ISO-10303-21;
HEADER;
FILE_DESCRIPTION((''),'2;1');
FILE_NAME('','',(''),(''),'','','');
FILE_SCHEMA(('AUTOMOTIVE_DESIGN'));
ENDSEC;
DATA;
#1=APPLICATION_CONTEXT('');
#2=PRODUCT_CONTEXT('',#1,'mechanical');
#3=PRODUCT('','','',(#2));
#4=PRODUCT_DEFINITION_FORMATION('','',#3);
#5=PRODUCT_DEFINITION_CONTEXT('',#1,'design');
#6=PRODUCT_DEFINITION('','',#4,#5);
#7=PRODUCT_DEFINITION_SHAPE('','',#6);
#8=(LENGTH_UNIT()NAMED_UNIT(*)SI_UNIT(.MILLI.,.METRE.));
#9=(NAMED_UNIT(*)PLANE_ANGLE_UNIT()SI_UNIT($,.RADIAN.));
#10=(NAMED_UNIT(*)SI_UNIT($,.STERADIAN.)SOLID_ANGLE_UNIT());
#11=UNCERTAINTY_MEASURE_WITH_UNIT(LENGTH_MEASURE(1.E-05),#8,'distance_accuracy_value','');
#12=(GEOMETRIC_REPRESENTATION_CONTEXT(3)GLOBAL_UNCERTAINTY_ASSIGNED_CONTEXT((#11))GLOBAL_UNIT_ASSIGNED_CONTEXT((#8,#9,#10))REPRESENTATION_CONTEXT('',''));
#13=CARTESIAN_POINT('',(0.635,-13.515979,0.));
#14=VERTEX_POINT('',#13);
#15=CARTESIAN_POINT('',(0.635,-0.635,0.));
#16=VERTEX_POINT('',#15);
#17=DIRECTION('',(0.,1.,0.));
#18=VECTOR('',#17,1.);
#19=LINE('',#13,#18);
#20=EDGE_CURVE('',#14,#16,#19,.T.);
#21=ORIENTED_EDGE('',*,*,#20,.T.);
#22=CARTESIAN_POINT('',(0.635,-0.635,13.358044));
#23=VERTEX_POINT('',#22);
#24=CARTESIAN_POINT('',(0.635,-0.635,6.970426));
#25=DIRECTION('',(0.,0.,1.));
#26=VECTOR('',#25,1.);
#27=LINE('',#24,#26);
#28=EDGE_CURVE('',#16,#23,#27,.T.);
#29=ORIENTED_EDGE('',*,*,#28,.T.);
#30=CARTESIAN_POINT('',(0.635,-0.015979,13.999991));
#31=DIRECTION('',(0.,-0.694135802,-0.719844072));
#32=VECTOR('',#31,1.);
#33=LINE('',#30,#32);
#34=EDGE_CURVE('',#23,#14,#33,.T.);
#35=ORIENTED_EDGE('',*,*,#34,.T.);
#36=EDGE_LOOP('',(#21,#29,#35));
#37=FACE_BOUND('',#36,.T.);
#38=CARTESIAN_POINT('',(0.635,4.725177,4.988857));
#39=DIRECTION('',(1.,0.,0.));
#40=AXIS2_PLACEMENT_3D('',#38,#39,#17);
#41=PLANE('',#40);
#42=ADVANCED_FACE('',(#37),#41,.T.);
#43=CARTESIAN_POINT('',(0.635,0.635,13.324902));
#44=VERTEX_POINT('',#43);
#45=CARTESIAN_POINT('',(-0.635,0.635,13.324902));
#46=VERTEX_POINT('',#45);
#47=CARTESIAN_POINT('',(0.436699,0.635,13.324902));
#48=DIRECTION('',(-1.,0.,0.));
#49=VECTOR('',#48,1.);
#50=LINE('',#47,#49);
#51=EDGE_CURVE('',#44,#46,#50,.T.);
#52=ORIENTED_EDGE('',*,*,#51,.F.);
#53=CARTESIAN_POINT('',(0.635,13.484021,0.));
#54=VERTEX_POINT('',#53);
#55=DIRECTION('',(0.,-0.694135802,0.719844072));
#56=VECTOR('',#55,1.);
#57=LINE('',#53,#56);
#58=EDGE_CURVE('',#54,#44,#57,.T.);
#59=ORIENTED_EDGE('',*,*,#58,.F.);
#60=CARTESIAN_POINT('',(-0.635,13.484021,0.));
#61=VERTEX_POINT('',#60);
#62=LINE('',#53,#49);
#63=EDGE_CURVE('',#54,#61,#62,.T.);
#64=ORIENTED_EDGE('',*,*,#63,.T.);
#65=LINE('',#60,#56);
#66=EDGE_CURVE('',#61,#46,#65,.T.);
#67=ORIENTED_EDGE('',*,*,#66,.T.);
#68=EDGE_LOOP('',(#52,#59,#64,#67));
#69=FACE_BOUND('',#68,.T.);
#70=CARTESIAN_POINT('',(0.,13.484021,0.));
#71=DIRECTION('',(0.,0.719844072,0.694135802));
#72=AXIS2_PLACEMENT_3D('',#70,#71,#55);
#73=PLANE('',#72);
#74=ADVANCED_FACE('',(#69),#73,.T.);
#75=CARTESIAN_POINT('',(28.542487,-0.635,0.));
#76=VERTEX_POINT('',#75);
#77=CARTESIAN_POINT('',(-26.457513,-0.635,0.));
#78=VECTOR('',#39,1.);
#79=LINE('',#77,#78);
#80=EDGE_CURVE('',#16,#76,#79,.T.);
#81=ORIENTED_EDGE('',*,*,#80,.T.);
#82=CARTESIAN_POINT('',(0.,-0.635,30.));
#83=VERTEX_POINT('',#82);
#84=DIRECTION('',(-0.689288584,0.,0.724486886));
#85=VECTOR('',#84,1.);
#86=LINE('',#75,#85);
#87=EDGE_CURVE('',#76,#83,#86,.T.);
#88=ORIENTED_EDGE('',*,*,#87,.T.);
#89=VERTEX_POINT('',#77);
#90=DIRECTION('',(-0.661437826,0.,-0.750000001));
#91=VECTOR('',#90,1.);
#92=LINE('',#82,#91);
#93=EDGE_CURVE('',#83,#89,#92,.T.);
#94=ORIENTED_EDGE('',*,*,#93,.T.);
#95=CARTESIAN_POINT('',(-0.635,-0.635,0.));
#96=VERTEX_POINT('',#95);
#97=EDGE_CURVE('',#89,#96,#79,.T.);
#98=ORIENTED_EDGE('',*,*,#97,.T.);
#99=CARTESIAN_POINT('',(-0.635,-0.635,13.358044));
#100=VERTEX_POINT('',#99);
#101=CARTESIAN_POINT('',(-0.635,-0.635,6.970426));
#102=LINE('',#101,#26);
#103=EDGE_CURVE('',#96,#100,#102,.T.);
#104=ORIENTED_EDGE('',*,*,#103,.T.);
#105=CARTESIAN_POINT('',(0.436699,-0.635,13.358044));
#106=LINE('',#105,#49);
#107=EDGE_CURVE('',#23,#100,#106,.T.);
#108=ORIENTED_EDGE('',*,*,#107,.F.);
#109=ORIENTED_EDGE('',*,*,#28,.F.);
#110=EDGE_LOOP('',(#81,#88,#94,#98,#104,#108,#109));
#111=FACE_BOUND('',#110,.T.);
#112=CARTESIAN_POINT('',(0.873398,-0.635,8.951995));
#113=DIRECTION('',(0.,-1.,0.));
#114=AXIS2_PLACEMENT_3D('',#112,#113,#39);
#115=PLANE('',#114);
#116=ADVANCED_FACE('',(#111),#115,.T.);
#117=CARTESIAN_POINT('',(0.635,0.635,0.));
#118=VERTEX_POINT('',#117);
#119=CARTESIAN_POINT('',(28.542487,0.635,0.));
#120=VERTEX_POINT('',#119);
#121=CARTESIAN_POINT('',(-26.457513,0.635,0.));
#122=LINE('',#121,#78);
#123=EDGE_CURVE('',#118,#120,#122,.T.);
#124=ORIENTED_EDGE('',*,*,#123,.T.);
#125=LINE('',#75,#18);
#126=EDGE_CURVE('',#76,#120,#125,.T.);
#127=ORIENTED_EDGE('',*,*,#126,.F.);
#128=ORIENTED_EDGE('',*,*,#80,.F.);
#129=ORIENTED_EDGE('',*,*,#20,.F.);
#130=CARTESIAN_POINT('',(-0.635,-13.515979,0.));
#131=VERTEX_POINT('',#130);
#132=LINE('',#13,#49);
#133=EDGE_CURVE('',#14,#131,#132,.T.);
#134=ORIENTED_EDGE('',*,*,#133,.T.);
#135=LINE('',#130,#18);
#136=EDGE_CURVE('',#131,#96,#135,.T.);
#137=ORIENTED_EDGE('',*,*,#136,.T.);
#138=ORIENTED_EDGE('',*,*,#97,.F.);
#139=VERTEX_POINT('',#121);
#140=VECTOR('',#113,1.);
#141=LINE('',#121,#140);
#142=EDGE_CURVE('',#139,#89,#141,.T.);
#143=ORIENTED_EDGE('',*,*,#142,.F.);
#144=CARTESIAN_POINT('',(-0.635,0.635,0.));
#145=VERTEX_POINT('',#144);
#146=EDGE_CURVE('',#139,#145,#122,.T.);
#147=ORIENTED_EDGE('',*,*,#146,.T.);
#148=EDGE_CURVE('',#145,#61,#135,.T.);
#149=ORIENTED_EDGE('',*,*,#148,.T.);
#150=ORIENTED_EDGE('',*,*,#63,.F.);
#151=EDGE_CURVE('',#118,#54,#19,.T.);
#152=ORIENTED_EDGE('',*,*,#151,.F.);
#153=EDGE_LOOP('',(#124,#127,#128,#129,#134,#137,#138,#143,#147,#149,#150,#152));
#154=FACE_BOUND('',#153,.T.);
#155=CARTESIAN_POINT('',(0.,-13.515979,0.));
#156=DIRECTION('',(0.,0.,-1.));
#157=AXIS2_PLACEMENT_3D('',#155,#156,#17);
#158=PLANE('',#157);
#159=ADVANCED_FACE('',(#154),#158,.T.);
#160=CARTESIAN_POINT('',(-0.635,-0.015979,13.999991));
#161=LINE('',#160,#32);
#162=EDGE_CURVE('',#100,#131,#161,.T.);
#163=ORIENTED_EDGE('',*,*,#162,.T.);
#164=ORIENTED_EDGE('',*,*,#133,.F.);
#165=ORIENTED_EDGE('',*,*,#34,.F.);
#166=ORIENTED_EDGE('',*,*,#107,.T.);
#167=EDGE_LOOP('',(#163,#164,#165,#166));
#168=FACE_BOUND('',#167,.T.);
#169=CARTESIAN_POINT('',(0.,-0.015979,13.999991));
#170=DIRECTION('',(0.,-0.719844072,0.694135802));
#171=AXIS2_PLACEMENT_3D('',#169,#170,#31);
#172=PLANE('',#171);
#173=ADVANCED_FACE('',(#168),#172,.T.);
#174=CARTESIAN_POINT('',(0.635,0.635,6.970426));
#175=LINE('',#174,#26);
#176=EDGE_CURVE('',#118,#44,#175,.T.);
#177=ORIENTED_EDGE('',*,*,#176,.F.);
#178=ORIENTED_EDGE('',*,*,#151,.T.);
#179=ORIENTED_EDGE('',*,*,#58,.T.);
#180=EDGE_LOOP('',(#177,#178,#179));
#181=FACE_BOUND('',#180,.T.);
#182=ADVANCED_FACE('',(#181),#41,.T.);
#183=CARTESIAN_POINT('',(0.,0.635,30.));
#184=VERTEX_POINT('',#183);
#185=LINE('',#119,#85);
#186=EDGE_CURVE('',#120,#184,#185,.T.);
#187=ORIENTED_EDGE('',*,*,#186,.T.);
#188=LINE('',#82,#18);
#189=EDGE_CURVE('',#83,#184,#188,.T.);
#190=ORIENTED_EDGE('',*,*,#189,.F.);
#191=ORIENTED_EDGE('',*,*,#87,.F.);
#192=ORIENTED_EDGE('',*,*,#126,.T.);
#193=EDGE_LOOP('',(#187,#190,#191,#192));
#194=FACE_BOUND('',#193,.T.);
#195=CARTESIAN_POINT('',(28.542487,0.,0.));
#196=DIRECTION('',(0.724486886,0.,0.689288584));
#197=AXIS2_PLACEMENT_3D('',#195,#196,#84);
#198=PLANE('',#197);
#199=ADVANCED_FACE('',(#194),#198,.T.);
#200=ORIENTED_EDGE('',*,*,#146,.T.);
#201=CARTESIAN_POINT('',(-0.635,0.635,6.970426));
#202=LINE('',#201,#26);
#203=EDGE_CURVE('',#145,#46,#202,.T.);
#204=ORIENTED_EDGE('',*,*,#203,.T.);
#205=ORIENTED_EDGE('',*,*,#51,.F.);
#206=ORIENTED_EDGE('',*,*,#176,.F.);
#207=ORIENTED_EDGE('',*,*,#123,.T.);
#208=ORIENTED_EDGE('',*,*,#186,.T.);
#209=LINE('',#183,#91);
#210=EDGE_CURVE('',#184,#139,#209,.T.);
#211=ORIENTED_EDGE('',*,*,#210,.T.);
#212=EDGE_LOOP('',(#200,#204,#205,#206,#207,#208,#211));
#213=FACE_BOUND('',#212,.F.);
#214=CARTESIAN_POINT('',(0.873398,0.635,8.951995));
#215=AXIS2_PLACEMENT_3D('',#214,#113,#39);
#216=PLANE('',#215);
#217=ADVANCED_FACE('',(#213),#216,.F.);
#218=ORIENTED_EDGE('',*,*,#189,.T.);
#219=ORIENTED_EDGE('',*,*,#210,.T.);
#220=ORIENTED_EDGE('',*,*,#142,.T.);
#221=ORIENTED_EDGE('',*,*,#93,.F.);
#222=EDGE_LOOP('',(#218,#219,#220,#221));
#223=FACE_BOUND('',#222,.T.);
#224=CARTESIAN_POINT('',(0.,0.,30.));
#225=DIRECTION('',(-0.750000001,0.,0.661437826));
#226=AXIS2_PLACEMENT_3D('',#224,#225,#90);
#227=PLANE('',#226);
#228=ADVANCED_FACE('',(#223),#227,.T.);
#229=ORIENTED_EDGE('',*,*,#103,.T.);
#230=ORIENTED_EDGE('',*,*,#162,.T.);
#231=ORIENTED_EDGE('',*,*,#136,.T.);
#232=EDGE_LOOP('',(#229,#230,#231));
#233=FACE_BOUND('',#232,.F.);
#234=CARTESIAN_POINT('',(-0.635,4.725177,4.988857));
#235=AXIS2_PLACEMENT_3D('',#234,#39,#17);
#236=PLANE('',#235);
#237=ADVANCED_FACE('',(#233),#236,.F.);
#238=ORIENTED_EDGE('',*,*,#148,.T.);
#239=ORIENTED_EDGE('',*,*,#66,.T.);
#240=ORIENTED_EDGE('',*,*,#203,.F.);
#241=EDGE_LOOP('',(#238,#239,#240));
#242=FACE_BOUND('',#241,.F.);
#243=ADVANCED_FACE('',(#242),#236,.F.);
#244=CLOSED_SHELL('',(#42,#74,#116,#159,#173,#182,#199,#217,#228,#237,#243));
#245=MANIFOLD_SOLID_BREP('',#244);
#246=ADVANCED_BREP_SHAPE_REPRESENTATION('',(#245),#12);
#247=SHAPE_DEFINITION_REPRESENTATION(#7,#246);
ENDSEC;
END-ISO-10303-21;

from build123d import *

# Parameters (mm, degrees)
F1_DEPTH = 0.635
F3_DEPTH = 0.635


with BuildPart() as f1:
    # F0 (on Front) → F1 (new body, symmetric)
    with BuildSketch(Plane.XZ):
        Polygon((0, 30), (-26.457513, 0), (28.542487, 0), align=None)
    extrude(amount=F1_DEPTH, both=True)

    # F2 (on Right) → F3 (join, symmetric)
    with BuildSketch(Plane.YZ):
        Polygon((0, 0), (13.484021, 0), (-0.015979, 13.999991), align=None)
        Polygon((-13.515979, 0), (0, 0), (-0.015979, 13.999991), align=None)
    extrude(amount=F3_DEPTH, both=True)


solid = f1.part
